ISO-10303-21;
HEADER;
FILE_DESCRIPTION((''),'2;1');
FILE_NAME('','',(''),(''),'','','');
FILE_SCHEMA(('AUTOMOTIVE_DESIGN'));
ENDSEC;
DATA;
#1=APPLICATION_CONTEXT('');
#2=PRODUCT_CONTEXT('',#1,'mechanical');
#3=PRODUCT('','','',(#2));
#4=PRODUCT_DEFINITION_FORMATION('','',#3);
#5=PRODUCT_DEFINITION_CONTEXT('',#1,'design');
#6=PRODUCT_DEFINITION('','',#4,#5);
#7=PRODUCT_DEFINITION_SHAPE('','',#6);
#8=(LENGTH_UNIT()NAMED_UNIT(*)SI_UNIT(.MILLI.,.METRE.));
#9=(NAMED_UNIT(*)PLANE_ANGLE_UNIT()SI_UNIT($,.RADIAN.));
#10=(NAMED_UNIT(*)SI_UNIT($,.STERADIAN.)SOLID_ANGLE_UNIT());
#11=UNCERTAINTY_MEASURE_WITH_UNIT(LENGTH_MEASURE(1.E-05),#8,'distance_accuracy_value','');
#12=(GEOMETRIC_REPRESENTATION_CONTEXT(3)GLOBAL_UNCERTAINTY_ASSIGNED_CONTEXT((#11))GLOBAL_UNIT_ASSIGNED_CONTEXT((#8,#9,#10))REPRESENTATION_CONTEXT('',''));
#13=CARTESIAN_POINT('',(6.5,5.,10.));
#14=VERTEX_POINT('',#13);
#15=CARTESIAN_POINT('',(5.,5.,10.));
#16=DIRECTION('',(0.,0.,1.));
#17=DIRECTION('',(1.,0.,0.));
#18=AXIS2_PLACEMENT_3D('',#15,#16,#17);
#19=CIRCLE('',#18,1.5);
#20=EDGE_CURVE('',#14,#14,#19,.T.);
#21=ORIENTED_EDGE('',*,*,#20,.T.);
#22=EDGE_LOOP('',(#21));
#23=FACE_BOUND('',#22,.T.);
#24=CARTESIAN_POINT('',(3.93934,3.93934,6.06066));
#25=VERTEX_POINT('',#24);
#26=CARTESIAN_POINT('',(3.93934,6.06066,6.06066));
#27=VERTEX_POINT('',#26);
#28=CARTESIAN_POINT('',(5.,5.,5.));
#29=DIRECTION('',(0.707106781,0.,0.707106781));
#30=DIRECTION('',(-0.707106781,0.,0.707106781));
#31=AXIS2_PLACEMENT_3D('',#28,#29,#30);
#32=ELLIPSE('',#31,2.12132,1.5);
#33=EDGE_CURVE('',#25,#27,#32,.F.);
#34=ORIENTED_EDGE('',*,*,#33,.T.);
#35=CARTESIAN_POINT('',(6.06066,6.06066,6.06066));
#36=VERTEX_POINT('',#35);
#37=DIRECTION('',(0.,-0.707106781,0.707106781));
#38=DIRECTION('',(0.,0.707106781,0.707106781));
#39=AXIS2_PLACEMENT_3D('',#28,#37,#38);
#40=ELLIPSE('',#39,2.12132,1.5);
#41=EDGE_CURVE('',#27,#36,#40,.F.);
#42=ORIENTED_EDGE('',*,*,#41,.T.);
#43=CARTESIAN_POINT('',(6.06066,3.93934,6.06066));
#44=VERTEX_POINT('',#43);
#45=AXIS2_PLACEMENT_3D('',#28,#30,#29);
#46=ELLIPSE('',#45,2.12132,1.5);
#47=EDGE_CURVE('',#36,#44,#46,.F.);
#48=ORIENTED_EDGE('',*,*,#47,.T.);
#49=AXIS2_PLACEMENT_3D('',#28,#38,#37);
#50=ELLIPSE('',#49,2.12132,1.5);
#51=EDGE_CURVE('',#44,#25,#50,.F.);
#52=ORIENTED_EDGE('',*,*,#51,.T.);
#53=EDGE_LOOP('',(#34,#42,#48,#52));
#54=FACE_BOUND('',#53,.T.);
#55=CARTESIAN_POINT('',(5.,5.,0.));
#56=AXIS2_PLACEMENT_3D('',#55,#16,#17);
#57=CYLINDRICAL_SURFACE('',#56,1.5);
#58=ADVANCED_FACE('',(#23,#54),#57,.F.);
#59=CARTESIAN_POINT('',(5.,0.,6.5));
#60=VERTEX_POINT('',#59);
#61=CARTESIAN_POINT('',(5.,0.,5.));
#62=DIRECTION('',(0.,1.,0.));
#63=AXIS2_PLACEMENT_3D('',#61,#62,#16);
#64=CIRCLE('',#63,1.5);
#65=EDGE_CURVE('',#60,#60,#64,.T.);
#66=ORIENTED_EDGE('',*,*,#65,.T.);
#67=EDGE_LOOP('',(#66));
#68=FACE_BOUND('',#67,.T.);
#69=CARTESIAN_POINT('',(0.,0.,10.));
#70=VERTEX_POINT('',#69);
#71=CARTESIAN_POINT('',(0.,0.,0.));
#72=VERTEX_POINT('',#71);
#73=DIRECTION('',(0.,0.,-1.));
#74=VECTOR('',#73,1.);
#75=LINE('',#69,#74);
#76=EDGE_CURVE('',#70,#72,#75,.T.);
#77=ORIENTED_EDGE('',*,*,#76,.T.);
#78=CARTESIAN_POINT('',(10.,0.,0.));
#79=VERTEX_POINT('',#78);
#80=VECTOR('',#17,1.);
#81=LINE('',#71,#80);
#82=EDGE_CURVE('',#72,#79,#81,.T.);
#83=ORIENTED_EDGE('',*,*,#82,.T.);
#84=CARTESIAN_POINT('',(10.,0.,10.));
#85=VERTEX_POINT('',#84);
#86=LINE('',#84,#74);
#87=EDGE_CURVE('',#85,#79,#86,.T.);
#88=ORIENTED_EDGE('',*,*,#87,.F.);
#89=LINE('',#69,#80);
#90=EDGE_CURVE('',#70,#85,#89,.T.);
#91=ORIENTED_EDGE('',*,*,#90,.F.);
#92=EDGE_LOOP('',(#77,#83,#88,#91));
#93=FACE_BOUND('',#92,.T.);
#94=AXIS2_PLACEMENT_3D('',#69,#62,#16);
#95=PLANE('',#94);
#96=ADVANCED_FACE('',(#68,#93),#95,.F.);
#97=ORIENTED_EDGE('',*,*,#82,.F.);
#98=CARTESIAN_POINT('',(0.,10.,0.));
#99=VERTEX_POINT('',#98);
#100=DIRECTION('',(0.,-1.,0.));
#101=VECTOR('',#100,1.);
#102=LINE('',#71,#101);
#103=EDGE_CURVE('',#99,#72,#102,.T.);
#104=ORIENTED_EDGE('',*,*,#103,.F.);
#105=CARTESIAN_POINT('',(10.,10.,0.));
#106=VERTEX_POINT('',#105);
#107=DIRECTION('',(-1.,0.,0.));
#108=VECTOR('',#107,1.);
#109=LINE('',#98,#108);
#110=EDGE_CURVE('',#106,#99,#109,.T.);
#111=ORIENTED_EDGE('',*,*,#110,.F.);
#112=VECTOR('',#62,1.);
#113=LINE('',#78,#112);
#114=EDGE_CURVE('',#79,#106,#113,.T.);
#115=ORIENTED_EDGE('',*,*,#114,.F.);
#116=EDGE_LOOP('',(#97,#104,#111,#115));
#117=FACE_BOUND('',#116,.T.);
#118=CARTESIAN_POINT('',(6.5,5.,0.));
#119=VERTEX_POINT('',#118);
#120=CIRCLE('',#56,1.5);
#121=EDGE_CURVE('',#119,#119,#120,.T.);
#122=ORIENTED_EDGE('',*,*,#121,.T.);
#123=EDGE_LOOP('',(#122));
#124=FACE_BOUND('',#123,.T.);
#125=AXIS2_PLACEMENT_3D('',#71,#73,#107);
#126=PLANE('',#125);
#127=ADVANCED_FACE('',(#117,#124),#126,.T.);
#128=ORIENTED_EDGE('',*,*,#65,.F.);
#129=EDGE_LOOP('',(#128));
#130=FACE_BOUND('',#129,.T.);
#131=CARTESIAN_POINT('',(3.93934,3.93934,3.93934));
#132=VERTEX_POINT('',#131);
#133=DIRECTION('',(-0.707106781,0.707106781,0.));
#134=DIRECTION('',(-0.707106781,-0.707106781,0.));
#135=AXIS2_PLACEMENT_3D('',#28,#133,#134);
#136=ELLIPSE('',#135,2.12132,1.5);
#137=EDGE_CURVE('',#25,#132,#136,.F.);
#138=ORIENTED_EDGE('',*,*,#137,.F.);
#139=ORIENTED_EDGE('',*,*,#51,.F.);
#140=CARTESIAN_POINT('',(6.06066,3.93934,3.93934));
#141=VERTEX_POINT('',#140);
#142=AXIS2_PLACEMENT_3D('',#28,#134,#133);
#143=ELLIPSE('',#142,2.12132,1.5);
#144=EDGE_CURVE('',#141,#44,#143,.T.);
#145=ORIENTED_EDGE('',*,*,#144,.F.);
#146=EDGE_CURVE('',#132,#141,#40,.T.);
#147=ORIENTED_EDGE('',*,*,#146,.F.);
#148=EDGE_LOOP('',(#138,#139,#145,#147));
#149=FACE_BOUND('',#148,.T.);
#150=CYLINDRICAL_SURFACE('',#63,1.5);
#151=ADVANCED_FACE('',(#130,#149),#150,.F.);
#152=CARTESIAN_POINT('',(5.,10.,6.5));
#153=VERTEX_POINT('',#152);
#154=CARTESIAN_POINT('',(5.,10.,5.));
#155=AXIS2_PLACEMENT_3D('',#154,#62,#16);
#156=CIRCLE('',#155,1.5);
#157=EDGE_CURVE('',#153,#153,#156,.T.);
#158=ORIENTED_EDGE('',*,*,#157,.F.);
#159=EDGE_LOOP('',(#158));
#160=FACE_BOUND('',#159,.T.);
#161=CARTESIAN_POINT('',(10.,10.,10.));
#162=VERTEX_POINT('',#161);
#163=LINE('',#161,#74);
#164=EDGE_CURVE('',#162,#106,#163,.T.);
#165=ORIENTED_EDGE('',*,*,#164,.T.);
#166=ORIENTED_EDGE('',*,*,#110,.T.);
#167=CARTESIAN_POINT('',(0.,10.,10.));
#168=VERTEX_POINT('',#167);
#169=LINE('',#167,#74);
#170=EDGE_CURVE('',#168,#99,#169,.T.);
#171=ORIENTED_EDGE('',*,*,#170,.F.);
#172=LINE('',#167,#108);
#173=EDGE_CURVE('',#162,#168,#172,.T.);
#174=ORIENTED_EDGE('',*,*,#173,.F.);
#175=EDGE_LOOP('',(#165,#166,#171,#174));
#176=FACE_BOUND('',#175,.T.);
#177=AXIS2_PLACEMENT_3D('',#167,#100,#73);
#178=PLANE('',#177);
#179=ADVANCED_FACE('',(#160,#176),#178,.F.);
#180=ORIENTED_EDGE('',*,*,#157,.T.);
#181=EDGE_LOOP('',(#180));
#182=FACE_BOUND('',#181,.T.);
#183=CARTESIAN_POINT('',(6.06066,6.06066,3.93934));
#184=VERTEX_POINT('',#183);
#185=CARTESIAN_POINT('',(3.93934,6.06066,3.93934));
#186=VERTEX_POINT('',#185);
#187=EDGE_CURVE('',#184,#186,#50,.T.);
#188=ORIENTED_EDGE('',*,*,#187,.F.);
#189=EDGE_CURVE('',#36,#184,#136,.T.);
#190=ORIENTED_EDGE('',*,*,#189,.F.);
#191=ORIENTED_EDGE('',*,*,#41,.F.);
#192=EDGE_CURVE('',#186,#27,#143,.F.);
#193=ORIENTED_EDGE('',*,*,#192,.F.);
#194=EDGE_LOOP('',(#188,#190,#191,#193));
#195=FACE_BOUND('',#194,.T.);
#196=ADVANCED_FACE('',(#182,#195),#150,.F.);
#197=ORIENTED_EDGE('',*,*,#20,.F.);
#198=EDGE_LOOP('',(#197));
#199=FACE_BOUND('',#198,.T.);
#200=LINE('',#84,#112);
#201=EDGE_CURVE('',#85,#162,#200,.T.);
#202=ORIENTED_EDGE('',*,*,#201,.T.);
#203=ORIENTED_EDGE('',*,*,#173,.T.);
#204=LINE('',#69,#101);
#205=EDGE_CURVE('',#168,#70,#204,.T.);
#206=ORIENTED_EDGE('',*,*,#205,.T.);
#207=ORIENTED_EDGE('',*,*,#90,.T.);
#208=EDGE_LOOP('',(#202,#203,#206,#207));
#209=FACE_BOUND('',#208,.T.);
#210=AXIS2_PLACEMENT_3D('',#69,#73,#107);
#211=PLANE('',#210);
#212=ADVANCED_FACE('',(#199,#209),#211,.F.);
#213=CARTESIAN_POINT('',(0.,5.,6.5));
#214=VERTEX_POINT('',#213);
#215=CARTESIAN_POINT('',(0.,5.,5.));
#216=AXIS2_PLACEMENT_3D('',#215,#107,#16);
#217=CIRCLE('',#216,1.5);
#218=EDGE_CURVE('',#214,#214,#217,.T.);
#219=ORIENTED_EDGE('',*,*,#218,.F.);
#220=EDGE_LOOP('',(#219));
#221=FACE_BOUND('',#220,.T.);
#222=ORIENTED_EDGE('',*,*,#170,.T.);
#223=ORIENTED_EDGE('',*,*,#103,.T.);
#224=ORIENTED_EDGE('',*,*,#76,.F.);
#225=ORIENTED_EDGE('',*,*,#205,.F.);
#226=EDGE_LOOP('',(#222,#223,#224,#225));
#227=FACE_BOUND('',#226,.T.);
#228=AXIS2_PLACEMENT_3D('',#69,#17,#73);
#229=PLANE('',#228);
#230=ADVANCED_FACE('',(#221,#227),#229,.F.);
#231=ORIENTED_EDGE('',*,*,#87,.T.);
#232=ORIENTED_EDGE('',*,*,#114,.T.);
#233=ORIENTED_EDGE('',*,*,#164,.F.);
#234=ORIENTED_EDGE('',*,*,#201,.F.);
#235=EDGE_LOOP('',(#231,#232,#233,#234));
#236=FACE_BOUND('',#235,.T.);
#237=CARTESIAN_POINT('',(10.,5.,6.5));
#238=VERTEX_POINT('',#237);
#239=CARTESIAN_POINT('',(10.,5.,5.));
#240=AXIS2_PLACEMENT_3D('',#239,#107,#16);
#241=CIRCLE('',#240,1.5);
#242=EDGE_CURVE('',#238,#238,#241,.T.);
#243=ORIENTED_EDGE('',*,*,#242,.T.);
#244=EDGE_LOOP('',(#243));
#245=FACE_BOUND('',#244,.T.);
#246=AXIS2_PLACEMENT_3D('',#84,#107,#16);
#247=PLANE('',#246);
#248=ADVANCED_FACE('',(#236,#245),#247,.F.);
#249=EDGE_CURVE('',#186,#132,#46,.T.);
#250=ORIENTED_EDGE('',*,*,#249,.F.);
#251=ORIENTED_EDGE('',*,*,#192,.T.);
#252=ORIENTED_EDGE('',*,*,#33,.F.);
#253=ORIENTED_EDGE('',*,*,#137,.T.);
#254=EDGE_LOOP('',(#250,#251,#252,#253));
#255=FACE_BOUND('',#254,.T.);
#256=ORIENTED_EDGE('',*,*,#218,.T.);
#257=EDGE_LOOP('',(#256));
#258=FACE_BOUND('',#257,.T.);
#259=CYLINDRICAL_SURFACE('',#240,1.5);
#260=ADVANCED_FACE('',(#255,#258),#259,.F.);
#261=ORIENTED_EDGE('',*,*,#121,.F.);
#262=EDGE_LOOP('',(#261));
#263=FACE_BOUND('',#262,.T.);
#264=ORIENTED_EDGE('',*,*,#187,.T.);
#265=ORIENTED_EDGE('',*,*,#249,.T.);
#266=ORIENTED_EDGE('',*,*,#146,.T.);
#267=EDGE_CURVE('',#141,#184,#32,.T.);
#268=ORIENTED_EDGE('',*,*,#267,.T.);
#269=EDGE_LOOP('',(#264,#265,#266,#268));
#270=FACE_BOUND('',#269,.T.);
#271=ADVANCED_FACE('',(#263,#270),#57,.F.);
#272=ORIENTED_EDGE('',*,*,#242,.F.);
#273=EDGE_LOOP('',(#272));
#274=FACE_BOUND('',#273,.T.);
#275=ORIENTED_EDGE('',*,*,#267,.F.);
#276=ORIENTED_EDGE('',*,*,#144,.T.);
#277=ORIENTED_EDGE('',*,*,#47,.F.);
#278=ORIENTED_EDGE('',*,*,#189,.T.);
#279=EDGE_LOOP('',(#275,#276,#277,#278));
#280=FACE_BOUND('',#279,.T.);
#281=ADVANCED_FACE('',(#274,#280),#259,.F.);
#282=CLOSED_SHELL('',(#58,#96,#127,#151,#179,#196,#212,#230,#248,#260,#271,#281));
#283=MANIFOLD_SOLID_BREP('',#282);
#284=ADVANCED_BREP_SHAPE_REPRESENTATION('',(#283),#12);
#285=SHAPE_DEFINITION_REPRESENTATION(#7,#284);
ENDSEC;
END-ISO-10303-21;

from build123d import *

# Parameters (mm, degrees)
SKETCH_1_W          = 10
SKETCH_1_H          = 10
EXTRUDE_1_DEPTH     = 10
SKETCH_2_R          = 1.5
CUT_EXTRUDE_1_DEPTH = 18.320508076
SKETCH_3_R          = 1.5
CUT_EXTRUDE_2_DEPTH = 18.320508076
SKETCH_4_R          = 1.5
CUT_EXTRUDE_3_DEPTH = 18.320508076


with BuildPart() as part:
    # 草图1 → 凸台-拉伸1 (new body)
    with BuildSketch(Plane.XY):
        with Locations((5, 5)):
            Rectangle(SKETCH_1_W, SKETCH_1_H)
    extrude(amount=EXTRUDE_1_DEPTH)

    # 草图2 → 切除-拉伸1 (cut, through all)
    with BuildSketch(Plane.XY.offset(10)):
        with Locations((5, 5)):
            Circle(SKETCH_2_R)
    extrude(amount=-CUT_EXTRUDE_1_DEPTH, mode=Mode.SUBTRACT)

    # 草图3 → 切除-拉伸2 (cut, through all)
    with BuildSketch(Plane.ZY):
        with Locations((5, 5)):
            Circle(SKETCH_3_R)
    extrude(amount=-CUT_EXTRUDE_2_DEPTH, mode=Mode.SUBTRACT)

    # 草图4 → 切除-拉伸3 (cut, through all)
    with BuildSketch(Plane(origin=(0, 10, 0), x_dir=(1, 0, 0), z_dir=(0, 1, 0))):
        with Locations(Location((5, -5, 0), (0, 0, 270))):
            Circle(SKETCH_4_R)
    extrude(amount=-CUT_EXTRUDE_3_DEPTH, mode=Mode.SUBTRACT)


solid = part.part
